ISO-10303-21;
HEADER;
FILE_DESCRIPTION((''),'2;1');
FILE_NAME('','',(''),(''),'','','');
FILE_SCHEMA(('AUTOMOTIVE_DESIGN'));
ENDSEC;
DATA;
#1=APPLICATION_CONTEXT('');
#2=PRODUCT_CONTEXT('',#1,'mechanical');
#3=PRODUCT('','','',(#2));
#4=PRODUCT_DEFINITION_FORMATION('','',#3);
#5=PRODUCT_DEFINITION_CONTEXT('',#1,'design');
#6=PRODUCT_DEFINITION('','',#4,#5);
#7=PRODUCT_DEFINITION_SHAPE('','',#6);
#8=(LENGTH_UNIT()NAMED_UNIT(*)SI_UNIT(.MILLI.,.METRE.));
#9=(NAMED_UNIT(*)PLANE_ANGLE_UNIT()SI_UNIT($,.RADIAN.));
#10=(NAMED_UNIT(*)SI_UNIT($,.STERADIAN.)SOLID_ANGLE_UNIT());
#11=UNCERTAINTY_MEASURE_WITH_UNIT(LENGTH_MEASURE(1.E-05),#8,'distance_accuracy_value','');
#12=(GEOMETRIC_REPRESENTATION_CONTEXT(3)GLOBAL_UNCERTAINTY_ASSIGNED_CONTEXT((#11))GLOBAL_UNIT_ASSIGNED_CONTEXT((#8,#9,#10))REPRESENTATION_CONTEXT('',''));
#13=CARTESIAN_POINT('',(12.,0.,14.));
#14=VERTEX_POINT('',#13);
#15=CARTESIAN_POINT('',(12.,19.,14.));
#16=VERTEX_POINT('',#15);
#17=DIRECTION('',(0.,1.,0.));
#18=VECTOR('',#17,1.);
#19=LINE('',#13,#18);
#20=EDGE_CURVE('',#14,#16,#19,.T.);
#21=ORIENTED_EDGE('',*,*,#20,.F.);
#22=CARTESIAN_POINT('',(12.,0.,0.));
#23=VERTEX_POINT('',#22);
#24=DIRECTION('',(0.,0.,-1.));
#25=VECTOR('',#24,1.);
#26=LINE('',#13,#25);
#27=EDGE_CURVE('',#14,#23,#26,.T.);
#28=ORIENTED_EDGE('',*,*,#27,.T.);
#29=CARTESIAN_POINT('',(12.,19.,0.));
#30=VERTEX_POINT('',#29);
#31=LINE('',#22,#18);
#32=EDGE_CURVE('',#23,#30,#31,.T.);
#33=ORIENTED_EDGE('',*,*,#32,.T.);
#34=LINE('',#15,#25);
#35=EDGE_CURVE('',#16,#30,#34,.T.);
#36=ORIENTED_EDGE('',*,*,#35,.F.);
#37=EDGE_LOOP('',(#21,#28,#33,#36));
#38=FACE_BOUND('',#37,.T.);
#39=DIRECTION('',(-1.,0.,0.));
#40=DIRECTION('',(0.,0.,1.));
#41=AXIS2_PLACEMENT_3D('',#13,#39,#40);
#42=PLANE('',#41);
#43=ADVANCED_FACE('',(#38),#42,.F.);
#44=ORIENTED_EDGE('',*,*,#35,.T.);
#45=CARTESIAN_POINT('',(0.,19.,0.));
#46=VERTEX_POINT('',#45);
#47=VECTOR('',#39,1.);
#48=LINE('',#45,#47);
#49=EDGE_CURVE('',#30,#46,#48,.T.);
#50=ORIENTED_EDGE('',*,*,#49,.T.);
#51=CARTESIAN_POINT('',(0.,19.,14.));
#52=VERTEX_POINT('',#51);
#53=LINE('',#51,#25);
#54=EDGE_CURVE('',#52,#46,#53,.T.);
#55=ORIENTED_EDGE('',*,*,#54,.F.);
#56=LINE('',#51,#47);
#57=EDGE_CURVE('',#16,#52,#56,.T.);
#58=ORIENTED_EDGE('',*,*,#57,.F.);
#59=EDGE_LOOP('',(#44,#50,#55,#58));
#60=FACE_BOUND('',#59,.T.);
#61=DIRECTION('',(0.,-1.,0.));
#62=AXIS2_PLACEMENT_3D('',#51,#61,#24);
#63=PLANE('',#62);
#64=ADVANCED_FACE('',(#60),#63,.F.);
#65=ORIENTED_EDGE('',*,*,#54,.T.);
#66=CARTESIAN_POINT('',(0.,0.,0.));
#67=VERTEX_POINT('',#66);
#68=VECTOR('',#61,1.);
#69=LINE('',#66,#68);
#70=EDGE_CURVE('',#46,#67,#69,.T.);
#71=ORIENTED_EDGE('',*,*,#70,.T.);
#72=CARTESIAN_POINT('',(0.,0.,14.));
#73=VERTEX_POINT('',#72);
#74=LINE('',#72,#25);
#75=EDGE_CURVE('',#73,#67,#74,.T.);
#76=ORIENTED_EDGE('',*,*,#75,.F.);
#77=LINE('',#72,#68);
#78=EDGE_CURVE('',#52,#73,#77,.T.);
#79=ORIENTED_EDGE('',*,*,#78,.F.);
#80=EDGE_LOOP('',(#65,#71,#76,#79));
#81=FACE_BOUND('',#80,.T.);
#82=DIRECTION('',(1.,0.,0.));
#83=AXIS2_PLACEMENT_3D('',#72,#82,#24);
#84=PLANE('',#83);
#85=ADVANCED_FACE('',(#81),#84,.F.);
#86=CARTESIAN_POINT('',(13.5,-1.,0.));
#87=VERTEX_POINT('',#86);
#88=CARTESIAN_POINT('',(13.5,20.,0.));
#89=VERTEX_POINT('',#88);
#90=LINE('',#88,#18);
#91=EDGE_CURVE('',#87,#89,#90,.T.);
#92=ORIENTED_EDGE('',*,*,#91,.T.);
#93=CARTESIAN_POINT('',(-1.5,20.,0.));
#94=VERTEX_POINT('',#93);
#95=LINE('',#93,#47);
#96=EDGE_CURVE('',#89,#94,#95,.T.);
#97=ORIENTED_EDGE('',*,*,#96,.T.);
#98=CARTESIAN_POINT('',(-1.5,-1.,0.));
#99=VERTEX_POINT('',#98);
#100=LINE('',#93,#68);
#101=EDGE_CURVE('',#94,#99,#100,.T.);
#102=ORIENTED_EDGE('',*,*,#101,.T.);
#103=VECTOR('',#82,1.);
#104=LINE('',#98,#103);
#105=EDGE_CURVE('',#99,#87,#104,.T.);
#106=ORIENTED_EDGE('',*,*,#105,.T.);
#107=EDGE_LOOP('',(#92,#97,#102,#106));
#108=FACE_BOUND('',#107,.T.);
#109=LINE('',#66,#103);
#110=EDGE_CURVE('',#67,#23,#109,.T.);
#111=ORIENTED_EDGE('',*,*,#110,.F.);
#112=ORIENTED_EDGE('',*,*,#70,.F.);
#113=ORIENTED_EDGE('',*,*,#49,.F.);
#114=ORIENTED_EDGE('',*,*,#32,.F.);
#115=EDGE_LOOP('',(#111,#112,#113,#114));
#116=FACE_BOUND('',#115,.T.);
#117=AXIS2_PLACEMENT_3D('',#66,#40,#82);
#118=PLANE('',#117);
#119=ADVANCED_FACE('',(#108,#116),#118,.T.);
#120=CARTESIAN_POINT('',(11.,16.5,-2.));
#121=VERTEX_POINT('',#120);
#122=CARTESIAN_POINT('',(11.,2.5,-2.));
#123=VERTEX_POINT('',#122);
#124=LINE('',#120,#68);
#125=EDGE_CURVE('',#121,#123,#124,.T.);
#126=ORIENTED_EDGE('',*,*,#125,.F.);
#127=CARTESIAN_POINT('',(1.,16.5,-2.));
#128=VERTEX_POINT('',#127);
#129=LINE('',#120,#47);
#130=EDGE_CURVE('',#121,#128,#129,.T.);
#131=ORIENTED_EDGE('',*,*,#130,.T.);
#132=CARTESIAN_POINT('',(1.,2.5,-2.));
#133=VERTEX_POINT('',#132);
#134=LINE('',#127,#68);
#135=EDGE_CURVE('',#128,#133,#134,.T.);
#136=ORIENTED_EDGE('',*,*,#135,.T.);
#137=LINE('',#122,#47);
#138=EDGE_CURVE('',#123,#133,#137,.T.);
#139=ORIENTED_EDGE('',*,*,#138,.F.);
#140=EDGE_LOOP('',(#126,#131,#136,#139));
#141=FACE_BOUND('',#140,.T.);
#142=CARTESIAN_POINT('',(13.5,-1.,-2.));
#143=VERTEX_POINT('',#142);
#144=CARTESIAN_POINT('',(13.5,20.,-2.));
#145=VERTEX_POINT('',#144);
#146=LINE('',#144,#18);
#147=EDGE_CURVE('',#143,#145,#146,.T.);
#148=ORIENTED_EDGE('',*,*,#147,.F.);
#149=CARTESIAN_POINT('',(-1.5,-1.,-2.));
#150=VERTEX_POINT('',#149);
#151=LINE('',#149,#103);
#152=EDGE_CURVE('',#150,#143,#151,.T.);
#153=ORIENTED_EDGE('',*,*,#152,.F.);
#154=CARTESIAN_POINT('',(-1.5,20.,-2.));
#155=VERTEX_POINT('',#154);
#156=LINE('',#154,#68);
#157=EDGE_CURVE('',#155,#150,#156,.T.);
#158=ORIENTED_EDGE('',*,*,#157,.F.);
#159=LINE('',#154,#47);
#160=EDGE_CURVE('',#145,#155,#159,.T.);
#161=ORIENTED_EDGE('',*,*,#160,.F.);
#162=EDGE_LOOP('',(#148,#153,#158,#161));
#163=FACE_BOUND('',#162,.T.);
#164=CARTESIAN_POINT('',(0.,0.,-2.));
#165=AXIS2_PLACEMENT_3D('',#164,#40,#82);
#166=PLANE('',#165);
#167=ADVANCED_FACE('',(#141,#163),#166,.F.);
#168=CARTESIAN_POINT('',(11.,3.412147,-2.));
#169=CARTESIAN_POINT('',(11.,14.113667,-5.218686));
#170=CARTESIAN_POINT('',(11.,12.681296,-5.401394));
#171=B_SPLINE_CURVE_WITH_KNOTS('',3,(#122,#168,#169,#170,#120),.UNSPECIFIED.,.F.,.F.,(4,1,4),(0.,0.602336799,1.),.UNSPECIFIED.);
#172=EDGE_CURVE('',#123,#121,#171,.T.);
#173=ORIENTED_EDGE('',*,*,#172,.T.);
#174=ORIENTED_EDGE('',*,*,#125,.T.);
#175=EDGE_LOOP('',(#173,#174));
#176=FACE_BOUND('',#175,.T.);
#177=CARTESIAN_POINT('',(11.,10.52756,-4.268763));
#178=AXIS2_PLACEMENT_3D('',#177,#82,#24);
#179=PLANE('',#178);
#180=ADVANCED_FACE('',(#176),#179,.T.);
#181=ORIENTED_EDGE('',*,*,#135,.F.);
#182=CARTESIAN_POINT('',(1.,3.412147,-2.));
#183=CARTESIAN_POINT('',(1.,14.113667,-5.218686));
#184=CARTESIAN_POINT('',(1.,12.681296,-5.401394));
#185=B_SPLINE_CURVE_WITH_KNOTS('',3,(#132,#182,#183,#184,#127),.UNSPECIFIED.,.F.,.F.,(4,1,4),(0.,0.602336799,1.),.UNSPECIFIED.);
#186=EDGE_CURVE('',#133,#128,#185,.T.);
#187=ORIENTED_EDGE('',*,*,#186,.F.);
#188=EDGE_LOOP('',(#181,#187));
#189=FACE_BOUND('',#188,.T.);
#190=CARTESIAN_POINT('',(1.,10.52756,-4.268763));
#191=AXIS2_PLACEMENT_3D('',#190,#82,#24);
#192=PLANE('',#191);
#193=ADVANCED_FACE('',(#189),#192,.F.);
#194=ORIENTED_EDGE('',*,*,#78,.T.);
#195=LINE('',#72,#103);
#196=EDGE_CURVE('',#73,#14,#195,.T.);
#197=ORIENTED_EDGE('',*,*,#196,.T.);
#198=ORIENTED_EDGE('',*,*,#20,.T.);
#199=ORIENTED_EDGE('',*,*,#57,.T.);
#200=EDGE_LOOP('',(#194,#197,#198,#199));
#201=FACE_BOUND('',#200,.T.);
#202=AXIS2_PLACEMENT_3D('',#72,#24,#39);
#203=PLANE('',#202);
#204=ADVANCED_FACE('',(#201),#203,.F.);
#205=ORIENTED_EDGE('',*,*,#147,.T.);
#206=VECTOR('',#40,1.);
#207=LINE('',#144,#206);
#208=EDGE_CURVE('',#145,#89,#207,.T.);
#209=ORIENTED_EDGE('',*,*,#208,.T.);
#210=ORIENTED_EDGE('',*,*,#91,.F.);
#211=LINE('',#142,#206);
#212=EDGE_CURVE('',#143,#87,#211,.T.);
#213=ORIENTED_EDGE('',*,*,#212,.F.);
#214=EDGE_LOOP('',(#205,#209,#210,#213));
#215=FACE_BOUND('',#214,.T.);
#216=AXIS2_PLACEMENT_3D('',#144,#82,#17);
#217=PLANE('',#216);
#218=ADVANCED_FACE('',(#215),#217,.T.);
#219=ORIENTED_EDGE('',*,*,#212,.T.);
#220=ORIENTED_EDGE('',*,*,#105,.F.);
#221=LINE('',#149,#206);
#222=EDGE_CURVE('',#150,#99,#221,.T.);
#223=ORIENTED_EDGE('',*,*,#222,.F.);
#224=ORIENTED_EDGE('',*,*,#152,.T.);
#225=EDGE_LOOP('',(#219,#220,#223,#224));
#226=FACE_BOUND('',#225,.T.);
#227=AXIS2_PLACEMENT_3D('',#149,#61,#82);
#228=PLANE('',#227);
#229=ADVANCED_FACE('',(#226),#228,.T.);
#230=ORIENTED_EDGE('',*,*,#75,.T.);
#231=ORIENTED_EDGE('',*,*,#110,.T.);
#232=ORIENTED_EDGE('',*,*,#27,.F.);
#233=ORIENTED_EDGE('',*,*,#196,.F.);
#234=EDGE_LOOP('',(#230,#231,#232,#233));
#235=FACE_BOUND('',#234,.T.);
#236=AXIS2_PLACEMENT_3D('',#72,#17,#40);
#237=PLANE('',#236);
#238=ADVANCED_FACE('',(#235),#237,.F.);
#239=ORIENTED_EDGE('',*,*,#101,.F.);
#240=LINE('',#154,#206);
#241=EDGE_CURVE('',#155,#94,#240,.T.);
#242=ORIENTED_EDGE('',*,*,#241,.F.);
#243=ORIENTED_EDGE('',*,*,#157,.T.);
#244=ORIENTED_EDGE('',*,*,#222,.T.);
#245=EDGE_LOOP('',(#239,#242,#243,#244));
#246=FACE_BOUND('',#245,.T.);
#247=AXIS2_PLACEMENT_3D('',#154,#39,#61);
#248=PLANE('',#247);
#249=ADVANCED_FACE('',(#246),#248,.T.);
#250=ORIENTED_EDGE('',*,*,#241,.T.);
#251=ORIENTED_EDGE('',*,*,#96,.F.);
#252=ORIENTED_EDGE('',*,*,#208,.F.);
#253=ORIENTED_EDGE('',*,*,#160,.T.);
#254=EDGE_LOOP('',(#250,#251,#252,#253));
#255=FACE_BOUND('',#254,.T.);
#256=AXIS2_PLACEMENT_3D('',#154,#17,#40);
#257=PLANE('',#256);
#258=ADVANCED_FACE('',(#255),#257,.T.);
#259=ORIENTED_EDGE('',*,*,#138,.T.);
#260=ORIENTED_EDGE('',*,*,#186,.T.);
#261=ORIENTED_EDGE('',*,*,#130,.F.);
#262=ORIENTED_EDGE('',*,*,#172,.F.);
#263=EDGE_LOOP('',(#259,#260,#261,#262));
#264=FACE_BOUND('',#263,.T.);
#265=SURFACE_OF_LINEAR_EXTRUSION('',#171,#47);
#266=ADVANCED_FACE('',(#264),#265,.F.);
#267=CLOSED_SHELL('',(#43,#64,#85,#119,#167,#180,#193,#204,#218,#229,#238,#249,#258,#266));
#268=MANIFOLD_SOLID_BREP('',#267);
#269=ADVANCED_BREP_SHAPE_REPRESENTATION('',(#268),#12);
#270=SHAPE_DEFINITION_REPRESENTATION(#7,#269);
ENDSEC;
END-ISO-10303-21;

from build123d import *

# Parameters (mm, degrees)
SKETCH1_W           = 12
SKETCH1_H           = 19
BOSS_EXTRUDE1_DEPTH = 14
SKETCH2_W           = 15
SKETCH2_H           = 21
BOSS_EXTRUDE2_DEPTH = 2
BOSS_EXTRUDE3_START = 1
BOSS_EXTRUDE3_DEPTH = 10


with BuildPart() as part:
    # Sketch1 → Boss-Extrude1 (new body)
    with BuildSketch(Plane.XY):
        with Locations((6, 9.5)):
            Rectangle(SKETCH1_W, SKETCH1_H)
    extrude(amount=BOSS_EXTRUDE1_DEPTH)

    # Sketch2 → Boss-Extrude2 (add)
    with BuildSketch(Plane.XY):
        with Locations((6, 9.5)):
            Rectangle(SKETCH2_W, SKETCH2_H)
    extrude(amount=-BOSS_EXTRUDE2_DEPTH)

    # Sketch3 → Boss-Extrude3 (add)
    with BuildSketch(Plane(origin=(0, 0, 0), x_dir=(0, 0, -1), z_dir=(1, 0, 0)).offset(BOSS_EXTRUDE3_START)):
        with BuildLine():
            Line((2, 16.5), (2, 2.5))
            add(Edge.make_bspline(
                [(2, 2.5), (2, 3.412146721), (5.218686286, 14.113667424), (5.401393948, 12.681295538), (2, 16.5)],
                knots=[0, 0, 0, 0, 0.602336799, 1, 1, 1, 1], degree=3))
        make_face()
    extrude(amount=BOSS_EXTRUDE3_DEPTH)


solid = part.part
